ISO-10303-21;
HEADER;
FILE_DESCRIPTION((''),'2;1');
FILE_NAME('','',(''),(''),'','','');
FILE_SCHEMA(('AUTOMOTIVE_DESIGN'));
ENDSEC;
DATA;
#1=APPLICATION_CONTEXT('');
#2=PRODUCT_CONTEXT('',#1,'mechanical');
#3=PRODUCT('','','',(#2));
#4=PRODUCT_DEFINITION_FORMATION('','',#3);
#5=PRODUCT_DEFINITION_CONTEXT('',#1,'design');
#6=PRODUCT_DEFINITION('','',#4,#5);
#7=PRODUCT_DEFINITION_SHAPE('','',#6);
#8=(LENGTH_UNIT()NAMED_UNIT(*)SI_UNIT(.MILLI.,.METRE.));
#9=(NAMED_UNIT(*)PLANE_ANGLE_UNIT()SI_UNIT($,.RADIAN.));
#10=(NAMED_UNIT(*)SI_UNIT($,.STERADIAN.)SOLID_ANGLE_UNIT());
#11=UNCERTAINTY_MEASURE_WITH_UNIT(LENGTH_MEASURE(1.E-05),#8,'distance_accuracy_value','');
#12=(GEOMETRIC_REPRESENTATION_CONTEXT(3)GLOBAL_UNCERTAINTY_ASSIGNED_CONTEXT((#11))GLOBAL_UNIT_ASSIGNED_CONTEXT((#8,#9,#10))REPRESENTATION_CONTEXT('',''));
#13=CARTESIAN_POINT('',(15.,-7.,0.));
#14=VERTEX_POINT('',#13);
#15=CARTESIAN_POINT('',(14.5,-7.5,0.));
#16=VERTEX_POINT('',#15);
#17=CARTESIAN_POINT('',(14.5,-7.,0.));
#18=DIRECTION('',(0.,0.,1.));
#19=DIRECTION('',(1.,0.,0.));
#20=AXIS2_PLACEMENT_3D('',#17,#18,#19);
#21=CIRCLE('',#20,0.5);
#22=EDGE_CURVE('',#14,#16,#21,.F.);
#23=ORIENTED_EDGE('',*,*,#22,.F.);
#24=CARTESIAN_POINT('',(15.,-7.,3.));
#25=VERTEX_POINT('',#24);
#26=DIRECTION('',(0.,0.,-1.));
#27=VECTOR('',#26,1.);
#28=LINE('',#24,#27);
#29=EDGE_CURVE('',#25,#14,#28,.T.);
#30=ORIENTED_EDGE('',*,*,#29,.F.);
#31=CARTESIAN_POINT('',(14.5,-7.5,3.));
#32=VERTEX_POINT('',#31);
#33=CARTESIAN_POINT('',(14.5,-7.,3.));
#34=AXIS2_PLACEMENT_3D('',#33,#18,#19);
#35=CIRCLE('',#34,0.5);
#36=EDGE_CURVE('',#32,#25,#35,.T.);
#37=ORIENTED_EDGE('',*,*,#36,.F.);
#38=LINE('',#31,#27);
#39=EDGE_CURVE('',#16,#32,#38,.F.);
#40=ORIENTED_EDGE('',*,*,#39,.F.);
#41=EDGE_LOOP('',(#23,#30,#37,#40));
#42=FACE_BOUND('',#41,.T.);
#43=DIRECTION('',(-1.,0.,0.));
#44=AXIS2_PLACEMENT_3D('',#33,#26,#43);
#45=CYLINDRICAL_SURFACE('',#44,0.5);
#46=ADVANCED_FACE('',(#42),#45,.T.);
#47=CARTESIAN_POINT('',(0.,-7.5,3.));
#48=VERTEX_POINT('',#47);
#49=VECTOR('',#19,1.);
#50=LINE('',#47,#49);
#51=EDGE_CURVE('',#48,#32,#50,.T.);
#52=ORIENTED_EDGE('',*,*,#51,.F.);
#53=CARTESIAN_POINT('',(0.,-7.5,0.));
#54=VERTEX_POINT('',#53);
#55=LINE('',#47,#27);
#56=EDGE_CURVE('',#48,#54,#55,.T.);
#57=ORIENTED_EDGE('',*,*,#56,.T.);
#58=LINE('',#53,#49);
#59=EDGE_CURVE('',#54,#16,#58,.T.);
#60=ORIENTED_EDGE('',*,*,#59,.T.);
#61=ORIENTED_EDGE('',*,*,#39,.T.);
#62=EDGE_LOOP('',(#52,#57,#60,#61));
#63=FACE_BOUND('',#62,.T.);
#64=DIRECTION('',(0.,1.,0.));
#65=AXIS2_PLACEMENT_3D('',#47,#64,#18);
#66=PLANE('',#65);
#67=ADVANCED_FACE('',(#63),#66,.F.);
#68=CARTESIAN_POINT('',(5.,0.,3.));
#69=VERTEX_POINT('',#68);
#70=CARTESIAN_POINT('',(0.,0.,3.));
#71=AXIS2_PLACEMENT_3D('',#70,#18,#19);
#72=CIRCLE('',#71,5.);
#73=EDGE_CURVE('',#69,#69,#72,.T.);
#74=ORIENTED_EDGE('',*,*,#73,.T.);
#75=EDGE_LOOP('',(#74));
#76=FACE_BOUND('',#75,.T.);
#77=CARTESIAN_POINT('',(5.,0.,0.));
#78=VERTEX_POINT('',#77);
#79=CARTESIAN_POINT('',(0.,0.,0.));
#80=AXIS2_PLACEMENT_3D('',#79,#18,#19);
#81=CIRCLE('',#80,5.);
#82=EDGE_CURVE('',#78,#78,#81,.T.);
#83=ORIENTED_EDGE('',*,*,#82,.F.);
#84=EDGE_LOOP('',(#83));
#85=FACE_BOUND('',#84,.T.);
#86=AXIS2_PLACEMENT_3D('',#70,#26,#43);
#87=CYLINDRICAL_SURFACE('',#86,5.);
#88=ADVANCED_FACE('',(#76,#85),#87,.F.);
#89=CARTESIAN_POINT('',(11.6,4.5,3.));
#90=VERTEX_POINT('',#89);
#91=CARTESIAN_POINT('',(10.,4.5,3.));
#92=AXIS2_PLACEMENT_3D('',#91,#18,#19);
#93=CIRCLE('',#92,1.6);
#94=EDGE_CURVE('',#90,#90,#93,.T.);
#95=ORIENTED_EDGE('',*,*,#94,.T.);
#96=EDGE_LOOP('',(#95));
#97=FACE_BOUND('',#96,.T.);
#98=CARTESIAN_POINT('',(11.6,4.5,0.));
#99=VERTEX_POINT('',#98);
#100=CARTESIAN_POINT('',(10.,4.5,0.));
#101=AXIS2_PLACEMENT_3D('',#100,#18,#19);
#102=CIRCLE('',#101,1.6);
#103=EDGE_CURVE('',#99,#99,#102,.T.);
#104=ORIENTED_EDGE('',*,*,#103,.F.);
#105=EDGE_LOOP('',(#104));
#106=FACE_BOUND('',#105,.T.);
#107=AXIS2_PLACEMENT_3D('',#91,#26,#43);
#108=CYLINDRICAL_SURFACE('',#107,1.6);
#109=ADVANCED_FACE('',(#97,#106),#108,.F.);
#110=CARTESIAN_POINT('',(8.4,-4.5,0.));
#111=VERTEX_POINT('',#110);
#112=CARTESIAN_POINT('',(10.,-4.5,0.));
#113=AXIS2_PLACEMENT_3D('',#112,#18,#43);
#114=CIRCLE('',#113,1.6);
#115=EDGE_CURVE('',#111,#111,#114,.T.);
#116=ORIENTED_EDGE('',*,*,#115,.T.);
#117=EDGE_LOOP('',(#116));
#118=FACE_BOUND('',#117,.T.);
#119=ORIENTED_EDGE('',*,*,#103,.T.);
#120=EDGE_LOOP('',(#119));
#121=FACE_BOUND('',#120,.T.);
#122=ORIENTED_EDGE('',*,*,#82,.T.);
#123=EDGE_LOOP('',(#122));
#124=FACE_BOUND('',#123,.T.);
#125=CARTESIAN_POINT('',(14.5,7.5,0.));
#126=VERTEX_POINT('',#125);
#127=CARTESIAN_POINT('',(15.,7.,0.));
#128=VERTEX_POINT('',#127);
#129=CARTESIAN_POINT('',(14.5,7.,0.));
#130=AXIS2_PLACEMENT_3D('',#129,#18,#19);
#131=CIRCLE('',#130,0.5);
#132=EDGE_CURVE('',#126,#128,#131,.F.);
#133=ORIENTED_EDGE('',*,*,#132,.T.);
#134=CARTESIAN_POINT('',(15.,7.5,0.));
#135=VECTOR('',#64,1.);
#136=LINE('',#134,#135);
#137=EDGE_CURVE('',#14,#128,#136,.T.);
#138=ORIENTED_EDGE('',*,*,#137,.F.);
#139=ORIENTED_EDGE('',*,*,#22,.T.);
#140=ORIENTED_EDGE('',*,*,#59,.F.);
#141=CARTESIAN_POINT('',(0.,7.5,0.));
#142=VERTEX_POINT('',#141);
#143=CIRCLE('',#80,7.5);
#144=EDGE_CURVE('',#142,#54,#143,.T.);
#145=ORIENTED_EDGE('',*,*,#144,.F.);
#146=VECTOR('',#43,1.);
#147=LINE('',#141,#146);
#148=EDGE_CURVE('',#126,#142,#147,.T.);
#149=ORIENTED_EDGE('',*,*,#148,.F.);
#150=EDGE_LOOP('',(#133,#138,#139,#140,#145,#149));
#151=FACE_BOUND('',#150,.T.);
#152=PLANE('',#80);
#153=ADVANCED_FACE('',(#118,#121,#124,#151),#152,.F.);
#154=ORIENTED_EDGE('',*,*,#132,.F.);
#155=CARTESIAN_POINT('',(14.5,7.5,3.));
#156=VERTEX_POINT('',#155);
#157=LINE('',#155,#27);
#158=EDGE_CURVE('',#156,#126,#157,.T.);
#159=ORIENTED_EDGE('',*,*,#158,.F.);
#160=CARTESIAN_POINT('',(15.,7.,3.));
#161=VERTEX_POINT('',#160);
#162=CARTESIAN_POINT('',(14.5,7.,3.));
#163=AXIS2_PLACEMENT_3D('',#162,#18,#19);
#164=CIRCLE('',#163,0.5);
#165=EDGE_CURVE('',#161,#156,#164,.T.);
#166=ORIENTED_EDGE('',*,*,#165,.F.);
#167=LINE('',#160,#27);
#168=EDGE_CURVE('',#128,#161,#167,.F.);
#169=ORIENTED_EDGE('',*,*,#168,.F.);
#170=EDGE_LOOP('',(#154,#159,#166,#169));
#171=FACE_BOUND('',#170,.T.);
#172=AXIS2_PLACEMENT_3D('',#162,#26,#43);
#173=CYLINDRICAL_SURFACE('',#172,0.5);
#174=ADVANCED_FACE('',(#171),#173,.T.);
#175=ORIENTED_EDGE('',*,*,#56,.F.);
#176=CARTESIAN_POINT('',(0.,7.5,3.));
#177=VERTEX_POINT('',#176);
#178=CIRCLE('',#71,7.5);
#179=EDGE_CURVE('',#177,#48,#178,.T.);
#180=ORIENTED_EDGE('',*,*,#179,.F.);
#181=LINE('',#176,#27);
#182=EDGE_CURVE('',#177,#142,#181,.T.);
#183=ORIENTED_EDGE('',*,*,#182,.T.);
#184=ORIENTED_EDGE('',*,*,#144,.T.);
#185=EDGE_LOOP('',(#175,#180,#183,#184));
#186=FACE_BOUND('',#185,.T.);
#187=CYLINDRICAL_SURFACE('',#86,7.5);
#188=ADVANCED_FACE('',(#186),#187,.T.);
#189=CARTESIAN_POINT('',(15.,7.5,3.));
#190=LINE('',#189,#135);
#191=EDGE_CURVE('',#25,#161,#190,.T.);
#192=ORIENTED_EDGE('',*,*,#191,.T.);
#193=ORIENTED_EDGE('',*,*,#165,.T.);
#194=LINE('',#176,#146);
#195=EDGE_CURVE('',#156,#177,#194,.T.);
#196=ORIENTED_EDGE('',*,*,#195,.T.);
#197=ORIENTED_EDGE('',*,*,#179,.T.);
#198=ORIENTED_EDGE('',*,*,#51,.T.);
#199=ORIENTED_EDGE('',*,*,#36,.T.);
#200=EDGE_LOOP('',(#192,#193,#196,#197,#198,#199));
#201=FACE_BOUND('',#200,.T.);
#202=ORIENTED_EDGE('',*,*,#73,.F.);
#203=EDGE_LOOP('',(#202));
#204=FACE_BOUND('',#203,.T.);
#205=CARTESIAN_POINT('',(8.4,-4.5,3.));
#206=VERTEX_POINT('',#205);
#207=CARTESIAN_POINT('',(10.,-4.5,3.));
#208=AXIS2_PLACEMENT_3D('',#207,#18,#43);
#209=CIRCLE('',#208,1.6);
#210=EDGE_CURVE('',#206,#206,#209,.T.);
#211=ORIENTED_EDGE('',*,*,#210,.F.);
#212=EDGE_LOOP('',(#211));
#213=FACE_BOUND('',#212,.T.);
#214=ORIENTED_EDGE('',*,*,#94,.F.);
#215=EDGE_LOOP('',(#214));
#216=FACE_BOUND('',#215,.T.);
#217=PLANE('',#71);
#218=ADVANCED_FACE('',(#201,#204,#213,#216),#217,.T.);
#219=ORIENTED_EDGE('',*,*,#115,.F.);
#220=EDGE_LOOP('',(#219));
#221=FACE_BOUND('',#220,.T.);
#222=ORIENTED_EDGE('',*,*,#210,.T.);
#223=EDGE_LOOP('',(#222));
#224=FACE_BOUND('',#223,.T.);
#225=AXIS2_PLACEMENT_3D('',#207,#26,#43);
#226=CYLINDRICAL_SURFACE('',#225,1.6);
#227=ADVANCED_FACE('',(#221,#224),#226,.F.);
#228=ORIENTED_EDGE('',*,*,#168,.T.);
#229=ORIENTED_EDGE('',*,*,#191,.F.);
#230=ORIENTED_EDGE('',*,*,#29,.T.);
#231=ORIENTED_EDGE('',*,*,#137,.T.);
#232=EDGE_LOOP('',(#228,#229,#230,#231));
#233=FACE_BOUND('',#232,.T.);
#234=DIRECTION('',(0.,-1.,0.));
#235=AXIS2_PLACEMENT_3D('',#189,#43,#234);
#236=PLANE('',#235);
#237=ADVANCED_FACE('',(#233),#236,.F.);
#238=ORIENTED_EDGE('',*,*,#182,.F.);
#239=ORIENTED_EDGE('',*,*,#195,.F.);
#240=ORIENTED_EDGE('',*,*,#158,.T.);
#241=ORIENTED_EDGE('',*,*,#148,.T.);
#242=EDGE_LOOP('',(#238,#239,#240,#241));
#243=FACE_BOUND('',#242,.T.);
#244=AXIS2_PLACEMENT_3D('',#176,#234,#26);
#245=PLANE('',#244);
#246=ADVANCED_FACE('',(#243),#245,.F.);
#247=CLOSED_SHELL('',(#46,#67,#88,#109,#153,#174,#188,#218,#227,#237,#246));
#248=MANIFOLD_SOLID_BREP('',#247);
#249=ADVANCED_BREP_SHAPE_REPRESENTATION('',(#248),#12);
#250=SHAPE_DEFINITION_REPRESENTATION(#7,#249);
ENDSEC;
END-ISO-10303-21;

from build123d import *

# Parameters (mm, degrees)
SKETCH_1_R      = 5
SKETCH_1_R_2    = 1.6
EXTRUDE_1_DEPTH = 3
FILLET_1_R      = 0.5


with BuildPart() as part:
    # ｽｹｯﾁ1 → ﾎﾞｽ - 押し出し1 (new body)
    with BuildSketch(Plane.XY):
        with BuildLine():
            Line((0, 7.5), (15, 7.5))
            Line((15, 7.5), (15, -7.5))
            Line((15, -7.5), (0, -7.5))
            ThreePointArc((0, -7.5), (-7.5, 0), (0, 7.5))
        make_face()
        Circle(SKETCH_1_R, mode=Mode.SUBTRACT)
        with Locations((10, 4.5)):
            Circle(SKETCH_1_R_2, mode=Mode.SUBTRACT)
        with Locations(Location((10, -4.5, 0), (0, 0, 180))):
            Circle(SKETCH_1_R_2, mode=Mode.SUBTRACT)
    extrude(amount=EXTRUDE_1_DEPTH)

    # ﾌｨﾚｯﾄ1
    fillet_1_edges = [part.edges().sort_by_distance(p)[0] for p in [
        (15, 7.5, 1.5),
        (15, -7.5, 1.5),
    ]]
    fillet(fillet_1_edges, radius=FILLET_1_R)


solid = part.part
